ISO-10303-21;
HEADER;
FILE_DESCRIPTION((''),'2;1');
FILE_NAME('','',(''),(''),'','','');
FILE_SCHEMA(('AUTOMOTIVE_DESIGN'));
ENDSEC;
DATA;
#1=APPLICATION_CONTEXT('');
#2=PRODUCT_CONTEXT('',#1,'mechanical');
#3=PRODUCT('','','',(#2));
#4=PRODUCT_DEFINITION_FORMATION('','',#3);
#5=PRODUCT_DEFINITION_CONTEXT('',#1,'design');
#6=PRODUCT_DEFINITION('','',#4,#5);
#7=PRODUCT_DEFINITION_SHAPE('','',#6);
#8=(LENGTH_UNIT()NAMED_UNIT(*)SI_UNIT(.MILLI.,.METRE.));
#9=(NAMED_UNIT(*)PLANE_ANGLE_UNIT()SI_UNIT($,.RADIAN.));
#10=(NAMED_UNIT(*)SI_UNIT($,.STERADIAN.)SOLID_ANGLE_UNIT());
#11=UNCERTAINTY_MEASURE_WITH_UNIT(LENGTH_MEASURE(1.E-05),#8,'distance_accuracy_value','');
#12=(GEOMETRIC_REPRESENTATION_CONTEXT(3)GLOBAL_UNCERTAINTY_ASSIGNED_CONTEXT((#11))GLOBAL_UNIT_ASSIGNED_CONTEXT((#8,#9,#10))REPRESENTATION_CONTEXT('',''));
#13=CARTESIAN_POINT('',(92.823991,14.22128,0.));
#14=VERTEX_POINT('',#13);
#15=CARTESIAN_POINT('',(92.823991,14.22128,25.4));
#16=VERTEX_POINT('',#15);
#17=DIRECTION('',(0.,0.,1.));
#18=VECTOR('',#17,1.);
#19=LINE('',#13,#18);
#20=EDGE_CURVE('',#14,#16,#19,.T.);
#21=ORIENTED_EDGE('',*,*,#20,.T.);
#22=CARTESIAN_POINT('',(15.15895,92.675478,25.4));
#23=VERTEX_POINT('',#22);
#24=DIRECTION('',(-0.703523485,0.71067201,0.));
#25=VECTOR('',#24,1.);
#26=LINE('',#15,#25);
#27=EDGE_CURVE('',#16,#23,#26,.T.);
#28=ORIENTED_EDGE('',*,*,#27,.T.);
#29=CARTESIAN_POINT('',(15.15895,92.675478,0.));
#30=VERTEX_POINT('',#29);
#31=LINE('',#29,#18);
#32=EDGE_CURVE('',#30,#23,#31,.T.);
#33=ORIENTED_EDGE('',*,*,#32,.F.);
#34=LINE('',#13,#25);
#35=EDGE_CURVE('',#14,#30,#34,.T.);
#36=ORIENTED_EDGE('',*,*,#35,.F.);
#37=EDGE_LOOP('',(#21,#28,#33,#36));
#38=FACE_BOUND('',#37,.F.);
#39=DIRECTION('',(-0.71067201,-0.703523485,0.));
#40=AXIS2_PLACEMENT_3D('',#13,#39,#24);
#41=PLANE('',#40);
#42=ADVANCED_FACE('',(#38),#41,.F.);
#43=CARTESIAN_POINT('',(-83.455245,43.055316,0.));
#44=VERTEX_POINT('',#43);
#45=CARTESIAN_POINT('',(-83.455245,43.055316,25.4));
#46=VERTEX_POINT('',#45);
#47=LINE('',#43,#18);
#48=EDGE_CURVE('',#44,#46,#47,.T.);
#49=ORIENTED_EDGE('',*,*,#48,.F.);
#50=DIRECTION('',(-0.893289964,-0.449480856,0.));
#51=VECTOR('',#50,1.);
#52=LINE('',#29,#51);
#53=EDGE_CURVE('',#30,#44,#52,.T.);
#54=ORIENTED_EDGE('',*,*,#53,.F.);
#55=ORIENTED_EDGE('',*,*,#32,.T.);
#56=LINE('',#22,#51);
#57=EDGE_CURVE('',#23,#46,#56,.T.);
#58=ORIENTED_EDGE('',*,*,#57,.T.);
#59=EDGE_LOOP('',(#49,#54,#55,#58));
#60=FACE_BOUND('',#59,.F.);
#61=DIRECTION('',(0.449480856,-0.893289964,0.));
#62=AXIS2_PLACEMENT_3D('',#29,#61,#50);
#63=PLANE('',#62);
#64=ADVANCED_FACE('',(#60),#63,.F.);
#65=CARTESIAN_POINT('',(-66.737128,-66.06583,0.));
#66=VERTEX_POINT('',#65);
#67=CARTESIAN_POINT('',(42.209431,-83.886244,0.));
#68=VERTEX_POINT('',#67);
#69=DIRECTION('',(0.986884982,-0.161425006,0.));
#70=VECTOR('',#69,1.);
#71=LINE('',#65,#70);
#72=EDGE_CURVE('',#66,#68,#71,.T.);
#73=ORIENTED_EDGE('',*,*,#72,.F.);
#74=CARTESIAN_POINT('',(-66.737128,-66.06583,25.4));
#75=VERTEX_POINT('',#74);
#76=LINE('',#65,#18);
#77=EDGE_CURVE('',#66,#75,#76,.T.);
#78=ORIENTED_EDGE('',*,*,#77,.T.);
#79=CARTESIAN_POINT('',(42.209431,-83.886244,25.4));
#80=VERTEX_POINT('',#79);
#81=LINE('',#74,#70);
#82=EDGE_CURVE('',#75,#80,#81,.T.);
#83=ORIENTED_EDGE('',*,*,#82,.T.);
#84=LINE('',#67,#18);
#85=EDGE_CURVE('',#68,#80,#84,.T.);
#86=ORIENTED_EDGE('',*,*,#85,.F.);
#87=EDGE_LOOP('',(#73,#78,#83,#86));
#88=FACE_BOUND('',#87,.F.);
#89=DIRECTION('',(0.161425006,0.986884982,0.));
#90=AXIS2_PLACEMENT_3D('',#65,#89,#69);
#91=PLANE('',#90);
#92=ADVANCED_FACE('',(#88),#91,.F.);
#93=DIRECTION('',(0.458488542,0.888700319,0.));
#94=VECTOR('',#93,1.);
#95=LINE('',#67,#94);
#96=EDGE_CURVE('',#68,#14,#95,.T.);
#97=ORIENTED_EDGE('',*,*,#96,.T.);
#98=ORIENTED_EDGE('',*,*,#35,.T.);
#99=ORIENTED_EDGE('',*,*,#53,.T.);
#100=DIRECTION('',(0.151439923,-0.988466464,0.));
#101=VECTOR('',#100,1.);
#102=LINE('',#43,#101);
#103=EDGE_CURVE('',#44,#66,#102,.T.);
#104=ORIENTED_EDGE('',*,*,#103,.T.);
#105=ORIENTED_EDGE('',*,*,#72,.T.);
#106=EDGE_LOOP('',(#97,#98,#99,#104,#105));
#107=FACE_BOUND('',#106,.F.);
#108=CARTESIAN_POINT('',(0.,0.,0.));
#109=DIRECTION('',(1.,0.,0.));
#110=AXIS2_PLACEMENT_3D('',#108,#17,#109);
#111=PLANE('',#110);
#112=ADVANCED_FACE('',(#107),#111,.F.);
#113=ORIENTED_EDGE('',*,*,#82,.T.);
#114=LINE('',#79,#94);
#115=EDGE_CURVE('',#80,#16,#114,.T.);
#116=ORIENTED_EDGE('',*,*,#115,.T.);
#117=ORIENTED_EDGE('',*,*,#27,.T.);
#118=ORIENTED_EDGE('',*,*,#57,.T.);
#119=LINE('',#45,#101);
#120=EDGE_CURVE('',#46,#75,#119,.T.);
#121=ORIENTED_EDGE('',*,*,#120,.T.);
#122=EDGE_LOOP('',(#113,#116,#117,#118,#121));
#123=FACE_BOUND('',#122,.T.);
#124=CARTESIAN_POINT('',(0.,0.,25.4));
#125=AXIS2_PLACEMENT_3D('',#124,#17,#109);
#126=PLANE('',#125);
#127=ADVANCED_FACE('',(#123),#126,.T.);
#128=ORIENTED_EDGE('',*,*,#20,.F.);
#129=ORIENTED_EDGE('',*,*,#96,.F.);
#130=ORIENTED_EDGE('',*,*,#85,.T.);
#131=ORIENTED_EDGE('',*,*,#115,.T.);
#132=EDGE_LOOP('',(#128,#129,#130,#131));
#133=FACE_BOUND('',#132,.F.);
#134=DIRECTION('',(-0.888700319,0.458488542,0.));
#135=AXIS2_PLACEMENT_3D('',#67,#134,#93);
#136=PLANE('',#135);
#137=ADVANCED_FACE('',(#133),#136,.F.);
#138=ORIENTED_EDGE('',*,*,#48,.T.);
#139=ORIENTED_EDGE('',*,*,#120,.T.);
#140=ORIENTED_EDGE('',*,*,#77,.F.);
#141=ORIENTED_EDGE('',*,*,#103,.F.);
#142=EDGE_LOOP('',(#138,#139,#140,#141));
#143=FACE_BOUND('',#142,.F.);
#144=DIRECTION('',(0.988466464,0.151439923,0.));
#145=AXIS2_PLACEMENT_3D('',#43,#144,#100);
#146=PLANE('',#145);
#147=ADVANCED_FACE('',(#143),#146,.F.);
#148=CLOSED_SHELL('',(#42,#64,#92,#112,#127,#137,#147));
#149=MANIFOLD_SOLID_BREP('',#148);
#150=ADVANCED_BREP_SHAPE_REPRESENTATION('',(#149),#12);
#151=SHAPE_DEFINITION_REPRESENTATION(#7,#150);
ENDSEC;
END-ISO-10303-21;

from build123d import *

# Parameters (mm, degrees)
F2_DEPTH = 25.4


with BuildPart() as f2:
    # F1 (on face) → F2 (new body)
    with BuildSketch(Plane.XY):
        Polygon((42.209431, -83.886244), (92.823991, 14.22128), (15.15895, 92.675478), (-83.455245, 43.055316), (-66.737128, -66.06583), align=None)
    extrude(amount=F2_DEPTH)


solid = f2.part
